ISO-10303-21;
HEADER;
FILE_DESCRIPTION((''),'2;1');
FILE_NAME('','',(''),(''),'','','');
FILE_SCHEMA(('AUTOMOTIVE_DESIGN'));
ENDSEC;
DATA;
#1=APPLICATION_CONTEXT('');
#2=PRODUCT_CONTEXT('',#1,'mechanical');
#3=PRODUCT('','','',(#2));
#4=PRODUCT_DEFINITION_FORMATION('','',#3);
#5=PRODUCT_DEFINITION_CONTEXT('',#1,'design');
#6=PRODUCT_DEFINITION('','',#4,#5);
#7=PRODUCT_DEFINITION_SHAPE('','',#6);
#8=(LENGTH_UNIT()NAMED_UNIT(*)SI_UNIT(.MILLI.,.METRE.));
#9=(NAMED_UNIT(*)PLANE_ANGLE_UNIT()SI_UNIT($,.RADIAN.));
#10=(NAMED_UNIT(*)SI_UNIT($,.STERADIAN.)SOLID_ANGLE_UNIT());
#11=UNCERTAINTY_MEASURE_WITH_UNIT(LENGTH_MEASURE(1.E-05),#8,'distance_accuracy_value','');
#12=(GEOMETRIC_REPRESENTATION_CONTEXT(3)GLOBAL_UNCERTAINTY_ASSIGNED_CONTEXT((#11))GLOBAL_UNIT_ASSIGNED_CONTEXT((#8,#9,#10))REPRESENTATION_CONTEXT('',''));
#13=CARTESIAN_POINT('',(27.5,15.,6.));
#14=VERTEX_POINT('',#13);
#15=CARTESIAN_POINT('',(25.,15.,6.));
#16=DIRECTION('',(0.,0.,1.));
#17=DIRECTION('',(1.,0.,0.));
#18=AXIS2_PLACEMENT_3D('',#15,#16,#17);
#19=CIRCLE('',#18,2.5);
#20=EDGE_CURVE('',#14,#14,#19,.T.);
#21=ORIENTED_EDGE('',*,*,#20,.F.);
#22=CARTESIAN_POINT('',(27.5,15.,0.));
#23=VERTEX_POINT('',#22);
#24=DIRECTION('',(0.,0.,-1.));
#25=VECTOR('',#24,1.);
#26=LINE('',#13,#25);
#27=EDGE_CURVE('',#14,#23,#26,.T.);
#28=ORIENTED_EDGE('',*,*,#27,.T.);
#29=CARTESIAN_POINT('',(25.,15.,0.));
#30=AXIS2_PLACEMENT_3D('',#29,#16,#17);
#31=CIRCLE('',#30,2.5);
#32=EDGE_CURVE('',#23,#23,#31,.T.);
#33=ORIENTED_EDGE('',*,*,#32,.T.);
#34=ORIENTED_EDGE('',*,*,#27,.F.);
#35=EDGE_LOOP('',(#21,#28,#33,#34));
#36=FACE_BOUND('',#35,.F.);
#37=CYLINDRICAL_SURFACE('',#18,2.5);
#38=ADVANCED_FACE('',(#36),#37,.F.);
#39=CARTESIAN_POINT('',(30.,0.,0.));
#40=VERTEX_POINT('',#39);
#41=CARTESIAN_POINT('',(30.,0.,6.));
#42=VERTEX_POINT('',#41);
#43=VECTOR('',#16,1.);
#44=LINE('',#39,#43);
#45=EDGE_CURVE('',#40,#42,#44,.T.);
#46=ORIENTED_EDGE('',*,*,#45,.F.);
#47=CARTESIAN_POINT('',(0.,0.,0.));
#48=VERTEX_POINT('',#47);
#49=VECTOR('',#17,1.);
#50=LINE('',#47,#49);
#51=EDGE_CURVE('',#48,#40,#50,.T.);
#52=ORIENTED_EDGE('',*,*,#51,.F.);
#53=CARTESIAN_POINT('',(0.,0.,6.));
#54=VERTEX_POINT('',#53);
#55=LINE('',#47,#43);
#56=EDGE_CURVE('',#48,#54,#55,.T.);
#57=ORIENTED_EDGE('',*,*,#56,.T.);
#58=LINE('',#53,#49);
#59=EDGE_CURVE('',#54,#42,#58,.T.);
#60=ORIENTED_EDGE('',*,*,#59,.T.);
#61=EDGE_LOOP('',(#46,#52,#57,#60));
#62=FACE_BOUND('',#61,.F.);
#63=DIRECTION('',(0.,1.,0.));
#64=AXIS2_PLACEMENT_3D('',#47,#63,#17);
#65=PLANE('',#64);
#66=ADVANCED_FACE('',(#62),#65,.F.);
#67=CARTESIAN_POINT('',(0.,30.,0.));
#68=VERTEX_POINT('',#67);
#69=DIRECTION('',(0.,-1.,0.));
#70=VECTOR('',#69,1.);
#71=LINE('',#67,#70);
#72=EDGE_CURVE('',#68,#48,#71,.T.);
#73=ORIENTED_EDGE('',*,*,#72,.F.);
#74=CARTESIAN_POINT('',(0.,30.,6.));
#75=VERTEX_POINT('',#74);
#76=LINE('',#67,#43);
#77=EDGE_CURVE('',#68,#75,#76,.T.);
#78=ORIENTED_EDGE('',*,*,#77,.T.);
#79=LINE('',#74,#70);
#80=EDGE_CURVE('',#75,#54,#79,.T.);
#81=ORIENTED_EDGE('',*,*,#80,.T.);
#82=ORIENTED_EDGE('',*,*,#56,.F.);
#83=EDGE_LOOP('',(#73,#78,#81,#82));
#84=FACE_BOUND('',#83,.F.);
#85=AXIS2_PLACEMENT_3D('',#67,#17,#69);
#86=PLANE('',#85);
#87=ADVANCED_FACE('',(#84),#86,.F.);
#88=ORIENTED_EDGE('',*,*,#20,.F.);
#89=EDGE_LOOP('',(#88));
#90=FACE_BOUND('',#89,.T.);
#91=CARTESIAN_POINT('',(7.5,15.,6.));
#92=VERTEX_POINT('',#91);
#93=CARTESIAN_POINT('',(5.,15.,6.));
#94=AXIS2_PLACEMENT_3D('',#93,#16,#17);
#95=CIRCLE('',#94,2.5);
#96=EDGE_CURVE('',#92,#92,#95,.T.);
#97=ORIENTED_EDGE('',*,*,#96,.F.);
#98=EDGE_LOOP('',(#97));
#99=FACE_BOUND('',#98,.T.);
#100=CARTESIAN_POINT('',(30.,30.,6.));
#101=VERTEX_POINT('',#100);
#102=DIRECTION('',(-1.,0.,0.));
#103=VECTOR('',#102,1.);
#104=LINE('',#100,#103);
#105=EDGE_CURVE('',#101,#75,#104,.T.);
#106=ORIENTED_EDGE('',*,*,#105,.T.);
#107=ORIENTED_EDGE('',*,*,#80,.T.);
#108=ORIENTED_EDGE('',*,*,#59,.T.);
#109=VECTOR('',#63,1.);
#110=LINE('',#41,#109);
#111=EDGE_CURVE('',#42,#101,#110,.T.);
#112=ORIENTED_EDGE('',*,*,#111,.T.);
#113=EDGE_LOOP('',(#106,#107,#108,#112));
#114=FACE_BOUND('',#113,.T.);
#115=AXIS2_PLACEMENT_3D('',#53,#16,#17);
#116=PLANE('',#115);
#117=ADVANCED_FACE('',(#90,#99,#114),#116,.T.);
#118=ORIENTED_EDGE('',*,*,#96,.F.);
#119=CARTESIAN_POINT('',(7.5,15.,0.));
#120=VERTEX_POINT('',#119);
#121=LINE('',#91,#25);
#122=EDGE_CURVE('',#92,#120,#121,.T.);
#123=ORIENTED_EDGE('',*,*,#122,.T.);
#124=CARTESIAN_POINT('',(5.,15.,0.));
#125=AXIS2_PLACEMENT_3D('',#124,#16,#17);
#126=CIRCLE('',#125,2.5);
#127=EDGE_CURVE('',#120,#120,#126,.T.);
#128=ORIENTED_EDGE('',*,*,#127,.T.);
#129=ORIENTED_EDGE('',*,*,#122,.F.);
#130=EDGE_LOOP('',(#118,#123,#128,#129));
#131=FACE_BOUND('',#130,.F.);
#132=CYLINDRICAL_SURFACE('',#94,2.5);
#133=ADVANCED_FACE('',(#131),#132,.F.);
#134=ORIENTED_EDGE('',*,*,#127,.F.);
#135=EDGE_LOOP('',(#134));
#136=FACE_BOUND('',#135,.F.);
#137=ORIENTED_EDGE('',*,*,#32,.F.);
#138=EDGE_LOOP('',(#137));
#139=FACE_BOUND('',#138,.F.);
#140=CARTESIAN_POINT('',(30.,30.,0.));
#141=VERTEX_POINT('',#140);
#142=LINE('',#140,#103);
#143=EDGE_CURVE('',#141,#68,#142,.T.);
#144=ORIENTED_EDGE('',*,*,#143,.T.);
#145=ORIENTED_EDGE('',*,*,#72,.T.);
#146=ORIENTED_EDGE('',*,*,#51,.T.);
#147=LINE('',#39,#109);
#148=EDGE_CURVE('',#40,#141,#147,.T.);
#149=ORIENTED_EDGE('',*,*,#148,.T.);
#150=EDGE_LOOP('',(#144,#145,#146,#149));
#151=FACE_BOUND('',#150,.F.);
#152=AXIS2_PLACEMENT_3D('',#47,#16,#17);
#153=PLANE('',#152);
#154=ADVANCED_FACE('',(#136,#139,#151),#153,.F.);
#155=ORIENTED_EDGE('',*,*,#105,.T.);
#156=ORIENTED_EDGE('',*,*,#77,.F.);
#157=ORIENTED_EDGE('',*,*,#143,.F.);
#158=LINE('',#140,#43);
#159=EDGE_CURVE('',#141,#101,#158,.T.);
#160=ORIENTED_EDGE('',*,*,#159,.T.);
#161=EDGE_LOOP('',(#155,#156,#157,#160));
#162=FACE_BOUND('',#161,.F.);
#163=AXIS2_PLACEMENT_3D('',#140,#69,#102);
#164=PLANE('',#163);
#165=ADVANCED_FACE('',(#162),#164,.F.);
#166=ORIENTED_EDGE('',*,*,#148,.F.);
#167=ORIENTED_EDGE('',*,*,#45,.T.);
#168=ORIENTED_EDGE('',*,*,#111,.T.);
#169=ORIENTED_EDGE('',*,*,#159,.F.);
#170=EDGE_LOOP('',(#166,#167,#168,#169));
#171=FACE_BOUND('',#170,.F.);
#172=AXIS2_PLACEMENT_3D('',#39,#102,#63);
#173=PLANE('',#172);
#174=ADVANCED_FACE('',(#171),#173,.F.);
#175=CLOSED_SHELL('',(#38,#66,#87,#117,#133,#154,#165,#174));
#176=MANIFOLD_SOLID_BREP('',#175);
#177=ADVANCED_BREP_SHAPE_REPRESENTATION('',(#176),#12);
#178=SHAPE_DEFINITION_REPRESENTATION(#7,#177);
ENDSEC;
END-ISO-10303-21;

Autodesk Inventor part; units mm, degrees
ref_plane "YZ Plane" through (0, 0, 0) normal (1, 0, 0) x (0, 1, 0)
ref_plane "XZ Plane" through (0, 0, 0) normal (0, 1, 0) x (-1, 0, 0)
ref_plane "XY Plane" through (0, 0, 0) normal (0, 0, 1) x (1, 0, 0)
sketch "Sketch1" plane through (0, 0, 0) normal (0, 0, 1) x (1, 0, 0)
  point P0 (0, 0)
sketch "Sketch2" plane through (0, 0, 0) normal (0, 0, 1) x (1, 0, 0)
  line L0 (0, 0) -> (30, 0)
  line L1 (30, 0) -> (30, 30)
  line L2 (30, 30) -> (0, 30)
  line L3 (0, 30) -> (0, 0)
  dimension "d0" = 30
  dimension "d1" = 30
extrude "Extrusion1" add sketch "Sketch2" along normal blind 6
sketch "Sketch3" plane through (0, 0, 6) normal (0, 0, 1) x (1, 0, 0)
  circle A0 centre (5, 15) radius 2.5
  circle A1 centre (25, 15) radius 2.5
  line L0 (0, 0) -> (30, 0) projected
  line L1 (30, 0) -> (30, 30) projected
  line L2 (0, 30) -> (0, 0) projected
  dimension "d4" = 15
  dimension "d5" = 15
  dimension "d6" = 5
  dimension "d7" = 5
  dimension "d8" = 5
extrude "Extrusion2" cut sketch "Sketch3" against normal blind 6
properties part number "space_plate"
